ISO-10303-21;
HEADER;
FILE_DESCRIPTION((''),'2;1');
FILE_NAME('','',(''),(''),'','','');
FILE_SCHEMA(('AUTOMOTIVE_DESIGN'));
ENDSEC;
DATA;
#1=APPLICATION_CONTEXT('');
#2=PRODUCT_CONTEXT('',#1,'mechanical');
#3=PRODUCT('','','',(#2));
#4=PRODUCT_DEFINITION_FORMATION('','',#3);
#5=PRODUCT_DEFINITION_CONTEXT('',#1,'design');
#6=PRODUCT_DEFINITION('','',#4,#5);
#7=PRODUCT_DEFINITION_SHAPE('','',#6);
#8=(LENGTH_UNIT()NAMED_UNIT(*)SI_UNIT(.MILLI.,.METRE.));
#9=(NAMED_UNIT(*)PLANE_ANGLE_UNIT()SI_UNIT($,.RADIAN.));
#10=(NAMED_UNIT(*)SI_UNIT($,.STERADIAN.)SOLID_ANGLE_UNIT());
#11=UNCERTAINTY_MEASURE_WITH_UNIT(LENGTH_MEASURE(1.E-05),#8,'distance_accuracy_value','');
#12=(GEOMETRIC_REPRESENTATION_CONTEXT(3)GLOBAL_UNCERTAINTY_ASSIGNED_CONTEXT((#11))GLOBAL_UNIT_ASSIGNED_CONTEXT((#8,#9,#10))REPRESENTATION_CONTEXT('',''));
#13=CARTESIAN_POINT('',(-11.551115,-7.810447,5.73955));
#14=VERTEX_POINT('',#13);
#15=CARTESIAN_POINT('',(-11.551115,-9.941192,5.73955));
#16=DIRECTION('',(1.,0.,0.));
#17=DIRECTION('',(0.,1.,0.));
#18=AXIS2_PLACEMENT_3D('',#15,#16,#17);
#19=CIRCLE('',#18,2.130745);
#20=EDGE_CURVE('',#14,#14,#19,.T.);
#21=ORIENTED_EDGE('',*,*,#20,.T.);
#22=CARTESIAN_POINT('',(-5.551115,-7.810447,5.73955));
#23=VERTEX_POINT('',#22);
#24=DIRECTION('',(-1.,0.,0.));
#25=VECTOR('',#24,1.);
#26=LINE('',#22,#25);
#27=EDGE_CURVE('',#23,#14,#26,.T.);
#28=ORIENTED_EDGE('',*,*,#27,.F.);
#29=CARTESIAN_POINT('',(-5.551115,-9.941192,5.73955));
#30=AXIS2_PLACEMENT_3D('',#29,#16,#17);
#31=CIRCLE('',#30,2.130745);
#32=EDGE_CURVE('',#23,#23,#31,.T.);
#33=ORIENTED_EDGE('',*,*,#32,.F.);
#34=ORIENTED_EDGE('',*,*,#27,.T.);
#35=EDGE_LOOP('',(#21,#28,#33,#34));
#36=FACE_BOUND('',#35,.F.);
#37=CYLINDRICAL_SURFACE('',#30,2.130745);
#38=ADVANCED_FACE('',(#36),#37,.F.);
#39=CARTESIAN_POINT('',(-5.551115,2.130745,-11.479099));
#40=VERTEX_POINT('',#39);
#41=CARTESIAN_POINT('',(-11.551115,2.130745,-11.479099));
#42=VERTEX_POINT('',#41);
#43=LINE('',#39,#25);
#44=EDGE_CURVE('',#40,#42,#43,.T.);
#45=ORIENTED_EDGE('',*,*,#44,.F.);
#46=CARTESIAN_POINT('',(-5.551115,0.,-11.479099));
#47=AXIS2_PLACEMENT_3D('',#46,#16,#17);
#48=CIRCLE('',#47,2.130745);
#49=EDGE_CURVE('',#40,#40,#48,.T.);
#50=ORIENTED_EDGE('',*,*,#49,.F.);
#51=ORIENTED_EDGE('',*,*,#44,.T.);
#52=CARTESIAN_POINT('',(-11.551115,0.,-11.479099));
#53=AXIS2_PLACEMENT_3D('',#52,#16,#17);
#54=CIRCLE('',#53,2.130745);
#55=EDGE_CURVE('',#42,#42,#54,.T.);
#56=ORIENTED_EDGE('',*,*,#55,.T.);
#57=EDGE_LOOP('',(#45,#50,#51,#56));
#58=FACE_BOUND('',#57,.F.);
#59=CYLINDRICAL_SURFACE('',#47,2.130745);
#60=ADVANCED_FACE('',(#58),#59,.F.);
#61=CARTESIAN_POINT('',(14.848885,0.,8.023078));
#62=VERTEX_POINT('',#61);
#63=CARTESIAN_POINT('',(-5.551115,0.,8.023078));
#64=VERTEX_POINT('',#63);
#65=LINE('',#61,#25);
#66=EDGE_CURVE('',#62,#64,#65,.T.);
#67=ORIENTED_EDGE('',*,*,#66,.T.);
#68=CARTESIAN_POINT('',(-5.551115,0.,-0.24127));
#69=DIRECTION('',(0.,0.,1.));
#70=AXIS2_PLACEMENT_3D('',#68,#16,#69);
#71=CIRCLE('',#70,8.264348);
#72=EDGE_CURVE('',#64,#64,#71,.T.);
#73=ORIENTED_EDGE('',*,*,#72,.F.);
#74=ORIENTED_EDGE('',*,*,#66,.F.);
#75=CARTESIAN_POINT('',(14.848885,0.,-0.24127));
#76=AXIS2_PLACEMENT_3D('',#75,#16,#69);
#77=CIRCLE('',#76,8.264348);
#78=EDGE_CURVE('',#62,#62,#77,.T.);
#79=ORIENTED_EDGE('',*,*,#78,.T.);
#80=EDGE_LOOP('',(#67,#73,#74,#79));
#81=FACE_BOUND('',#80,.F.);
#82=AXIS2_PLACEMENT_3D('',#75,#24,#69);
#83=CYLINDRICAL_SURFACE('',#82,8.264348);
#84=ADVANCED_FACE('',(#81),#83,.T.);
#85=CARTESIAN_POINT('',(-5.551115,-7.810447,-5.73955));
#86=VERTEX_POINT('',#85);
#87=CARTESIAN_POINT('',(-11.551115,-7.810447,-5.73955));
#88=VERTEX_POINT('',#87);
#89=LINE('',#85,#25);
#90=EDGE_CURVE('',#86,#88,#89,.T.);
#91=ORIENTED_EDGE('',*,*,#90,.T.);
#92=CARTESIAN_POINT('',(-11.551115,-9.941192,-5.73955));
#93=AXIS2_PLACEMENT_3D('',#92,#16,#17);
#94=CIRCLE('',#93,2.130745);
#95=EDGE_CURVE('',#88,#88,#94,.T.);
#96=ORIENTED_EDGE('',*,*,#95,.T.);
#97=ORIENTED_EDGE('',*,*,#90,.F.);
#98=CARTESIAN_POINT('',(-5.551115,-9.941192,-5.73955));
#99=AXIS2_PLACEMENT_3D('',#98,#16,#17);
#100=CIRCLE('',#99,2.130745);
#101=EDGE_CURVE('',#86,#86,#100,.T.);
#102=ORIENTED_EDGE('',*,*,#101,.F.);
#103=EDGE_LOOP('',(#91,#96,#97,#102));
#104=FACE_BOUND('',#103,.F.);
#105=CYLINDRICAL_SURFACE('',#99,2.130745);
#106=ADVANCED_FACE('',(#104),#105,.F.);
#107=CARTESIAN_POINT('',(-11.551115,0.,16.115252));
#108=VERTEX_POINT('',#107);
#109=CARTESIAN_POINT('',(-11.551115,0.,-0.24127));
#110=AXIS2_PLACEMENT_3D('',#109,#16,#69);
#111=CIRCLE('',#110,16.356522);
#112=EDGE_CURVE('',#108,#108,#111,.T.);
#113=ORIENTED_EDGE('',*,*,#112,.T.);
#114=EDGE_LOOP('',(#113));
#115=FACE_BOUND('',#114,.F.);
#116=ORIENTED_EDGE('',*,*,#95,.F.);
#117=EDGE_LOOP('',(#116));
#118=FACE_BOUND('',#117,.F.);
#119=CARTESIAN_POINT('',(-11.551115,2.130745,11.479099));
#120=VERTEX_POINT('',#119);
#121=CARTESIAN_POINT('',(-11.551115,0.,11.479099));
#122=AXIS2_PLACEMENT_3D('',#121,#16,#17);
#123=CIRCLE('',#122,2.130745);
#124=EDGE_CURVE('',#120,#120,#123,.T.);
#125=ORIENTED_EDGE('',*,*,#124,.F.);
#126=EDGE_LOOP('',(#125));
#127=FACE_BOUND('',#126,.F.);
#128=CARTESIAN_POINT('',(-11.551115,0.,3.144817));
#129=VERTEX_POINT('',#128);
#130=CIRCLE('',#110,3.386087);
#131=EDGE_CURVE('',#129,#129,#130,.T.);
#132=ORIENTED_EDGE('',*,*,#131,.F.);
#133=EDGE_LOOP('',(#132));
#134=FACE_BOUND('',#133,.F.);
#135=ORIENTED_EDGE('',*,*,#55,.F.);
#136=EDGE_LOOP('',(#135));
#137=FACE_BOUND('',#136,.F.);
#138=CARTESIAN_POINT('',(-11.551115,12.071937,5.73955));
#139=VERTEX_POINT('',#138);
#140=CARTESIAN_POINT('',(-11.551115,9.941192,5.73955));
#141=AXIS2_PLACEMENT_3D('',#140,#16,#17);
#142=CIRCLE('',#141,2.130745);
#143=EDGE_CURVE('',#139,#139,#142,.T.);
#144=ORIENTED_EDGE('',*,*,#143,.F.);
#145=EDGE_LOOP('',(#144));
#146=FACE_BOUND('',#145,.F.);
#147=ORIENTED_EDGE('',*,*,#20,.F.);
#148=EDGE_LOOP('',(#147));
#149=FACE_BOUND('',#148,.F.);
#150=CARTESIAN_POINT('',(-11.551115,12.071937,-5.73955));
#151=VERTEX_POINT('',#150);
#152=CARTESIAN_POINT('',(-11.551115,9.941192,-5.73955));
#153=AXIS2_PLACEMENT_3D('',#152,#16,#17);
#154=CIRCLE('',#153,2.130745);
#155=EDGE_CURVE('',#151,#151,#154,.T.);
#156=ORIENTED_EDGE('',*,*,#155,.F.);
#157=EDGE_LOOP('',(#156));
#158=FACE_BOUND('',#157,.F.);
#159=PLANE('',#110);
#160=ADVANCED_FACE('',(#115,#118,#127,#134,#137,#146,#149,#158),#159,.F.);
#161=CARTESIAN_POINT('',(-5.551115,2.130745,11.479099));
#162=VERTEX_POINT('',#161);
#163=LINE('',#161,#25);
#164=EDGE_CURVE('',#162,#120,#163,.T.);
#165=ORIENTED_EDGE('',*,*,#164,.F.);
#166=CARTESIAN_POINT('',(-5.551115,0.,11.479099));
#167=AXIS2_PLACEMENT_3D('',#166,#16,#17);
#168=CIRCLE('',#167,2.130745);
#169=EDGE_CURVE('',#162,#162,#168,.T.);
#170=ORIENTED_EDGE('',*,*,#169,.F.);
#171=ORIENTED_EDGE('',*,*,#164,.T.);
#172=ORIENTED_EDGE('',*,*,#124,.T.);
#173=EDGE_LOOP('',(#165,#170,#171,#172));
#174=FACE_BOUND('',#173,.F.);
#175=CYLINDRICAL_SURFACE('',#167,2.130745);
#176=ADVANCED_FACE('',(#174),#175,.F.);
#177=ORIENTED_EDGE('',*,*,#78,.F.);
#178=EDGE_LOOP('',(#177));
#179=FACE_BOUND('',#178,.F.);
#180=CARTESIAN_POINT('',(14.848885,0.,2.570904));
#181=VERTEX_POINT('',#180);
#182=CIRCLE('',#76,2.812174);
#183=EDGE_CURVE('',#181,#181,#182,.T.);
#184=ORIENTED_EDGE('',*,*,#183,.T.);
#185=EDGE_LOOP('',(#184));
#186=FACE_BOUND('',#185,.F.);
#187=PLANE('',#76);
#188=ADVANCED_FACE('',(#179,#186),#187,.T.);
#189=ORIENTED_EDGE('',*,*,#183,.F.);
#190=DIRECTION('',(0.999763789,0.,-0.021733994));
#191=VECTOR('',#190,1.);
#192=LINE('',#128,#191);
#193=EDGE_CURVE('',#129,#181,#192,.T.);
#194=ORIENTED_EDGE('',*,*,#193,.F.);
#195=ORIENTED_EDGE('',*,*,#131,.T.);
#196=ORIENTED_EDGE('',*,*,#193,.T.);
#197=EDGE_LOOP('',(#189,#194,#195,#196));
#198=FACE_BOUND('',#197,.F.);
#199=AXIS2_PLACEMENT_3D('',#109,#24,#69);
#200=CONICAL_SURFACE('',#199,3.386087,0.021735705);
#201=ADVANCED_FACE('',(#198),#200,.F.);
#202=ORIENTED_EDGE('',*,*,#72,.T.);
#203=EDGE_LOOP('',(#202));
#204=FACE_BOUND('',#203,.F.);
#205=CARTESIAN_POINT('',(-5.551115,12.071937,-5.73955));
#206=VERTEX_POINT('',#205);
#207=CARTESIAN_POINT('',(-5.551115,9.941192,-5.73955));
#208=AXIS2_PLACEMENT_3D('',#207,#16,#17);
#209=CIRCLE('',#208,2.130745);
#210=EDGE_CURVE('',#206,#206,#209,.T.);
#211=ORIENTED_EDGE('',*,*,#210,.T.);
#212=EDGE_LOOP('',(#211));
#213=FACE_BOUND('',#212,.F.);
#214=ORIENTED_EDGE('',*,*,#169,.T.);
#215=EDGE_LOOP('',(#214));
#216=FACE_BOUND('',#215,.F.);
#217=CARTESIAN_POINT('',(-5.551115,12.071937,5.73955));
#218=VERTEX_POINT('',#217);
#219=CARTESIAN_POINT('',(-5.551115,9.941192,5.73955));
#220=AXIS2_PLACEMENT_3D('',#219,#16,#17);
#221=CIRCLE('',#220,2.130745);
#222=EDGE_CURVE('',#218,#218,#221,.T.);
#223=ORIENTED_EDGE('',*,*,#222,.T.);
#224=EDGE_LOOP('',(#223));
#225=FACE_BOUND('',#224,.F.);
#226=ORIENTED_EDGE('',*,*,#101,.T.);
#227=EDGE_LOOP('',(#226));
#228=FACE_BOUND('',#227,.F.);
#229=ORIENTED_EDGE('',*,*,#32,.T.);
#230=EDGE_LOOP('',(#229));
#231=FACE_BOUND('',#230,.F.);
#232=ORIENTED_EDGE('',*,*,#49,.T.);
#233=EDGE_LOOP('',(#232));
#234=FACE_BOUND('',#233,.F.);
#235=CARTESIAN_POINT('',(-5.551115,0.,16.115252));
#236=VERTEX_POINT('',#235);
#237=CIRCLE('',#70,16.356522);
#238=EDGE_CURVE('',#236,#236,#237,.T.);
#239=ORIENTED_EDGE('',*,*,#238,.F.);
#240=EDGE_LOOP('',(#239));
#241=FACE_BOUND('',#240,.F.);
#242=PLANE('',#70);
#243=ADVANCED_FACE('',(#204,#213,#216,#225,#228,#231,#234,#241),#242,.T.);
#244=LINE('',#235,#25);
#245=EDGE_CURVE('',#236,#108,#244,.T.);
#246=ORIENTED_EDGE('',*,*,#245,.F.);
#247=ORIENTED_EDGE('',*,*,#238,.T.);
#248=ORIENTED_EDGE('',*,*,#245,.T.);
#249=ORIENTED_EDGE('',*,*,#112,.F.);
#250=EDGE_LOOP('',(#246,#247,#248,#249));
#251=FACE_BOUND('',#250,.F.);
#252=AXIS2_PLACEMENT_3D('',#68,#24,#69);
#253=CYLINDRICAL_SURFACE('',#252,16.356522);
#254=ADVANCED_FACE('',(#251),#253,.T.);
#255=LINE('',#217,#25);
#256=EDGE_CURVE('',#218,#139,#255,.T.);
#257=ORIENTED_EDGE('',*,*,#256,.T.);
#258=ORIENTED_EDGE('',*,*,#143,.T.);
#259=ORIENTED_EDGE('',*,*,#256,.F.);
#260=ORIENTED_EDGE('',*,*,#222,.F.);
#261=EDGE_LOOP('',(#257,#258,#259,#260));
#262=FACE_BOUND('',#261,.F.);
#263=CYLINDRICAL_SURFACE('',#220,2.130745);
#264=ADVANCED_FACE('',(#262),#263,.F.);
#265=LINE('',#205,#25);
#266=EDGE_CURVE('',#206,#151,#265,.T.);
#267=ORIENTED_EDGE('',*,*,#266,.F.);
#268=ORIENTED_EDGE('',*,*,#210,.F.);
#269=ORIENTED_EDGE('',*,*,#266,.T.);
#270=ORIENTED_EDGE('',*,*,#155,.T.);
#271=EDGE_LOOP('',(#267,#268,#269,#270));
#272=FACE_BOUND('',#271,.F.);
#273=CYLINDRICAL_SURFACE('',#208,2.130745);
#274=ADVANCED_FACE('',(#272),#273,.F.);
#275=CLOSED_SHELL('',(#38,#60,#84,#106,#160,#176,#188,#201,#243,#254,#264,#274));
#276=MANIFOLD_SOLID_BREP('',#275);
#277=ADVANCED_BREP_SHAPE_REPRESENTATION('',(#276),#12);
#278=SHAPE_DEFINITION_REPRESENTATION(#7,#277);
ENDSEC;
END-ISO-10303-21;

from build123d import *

# Parameters (mm, degrees)
F2_R     = 2.130745
F3_DEPTH = 6.001


with BuildPart() as f1:
    # F0 (on Front) → F1 (revolve)
    with BuildSketch(Plane.XZ):
        Polygon((-5.551115, 16.115252), (-11.551115, 16.115252), (-11.551115, 3.144817), (14.848885, 2.570904), (14.848885, 8.023078), (-5.551115, 8.023078), align=None)
    revolve(axis=Axis((0.128016, 0, -0.24127), (1, 0, 0)))

    # F2 (on face) → F3 (cut, through all)
    with BuildSketch(Plane.YZ.offset(-5.551115)):
        with Locations((-9.941192, 5.73955)):
            Circle(F2_R)
        with Locations((-9.941192, -5.73955)):
            Circle(F2_R)
        with Locations((0, -11.479099)):
            Circle(F2_R)
        with Locations((9.941192, -5.73955)):
            Circle(F2_R)
        with Locations((9.941192, 5.73955)):
            Circle(F2_R)
        with Locations((0, 11.479099)):
            Circle(F2_R)
    extrude(amount=-F3_DEPTH, mode=Mode.SUBTRACT)


solid = f1.part
